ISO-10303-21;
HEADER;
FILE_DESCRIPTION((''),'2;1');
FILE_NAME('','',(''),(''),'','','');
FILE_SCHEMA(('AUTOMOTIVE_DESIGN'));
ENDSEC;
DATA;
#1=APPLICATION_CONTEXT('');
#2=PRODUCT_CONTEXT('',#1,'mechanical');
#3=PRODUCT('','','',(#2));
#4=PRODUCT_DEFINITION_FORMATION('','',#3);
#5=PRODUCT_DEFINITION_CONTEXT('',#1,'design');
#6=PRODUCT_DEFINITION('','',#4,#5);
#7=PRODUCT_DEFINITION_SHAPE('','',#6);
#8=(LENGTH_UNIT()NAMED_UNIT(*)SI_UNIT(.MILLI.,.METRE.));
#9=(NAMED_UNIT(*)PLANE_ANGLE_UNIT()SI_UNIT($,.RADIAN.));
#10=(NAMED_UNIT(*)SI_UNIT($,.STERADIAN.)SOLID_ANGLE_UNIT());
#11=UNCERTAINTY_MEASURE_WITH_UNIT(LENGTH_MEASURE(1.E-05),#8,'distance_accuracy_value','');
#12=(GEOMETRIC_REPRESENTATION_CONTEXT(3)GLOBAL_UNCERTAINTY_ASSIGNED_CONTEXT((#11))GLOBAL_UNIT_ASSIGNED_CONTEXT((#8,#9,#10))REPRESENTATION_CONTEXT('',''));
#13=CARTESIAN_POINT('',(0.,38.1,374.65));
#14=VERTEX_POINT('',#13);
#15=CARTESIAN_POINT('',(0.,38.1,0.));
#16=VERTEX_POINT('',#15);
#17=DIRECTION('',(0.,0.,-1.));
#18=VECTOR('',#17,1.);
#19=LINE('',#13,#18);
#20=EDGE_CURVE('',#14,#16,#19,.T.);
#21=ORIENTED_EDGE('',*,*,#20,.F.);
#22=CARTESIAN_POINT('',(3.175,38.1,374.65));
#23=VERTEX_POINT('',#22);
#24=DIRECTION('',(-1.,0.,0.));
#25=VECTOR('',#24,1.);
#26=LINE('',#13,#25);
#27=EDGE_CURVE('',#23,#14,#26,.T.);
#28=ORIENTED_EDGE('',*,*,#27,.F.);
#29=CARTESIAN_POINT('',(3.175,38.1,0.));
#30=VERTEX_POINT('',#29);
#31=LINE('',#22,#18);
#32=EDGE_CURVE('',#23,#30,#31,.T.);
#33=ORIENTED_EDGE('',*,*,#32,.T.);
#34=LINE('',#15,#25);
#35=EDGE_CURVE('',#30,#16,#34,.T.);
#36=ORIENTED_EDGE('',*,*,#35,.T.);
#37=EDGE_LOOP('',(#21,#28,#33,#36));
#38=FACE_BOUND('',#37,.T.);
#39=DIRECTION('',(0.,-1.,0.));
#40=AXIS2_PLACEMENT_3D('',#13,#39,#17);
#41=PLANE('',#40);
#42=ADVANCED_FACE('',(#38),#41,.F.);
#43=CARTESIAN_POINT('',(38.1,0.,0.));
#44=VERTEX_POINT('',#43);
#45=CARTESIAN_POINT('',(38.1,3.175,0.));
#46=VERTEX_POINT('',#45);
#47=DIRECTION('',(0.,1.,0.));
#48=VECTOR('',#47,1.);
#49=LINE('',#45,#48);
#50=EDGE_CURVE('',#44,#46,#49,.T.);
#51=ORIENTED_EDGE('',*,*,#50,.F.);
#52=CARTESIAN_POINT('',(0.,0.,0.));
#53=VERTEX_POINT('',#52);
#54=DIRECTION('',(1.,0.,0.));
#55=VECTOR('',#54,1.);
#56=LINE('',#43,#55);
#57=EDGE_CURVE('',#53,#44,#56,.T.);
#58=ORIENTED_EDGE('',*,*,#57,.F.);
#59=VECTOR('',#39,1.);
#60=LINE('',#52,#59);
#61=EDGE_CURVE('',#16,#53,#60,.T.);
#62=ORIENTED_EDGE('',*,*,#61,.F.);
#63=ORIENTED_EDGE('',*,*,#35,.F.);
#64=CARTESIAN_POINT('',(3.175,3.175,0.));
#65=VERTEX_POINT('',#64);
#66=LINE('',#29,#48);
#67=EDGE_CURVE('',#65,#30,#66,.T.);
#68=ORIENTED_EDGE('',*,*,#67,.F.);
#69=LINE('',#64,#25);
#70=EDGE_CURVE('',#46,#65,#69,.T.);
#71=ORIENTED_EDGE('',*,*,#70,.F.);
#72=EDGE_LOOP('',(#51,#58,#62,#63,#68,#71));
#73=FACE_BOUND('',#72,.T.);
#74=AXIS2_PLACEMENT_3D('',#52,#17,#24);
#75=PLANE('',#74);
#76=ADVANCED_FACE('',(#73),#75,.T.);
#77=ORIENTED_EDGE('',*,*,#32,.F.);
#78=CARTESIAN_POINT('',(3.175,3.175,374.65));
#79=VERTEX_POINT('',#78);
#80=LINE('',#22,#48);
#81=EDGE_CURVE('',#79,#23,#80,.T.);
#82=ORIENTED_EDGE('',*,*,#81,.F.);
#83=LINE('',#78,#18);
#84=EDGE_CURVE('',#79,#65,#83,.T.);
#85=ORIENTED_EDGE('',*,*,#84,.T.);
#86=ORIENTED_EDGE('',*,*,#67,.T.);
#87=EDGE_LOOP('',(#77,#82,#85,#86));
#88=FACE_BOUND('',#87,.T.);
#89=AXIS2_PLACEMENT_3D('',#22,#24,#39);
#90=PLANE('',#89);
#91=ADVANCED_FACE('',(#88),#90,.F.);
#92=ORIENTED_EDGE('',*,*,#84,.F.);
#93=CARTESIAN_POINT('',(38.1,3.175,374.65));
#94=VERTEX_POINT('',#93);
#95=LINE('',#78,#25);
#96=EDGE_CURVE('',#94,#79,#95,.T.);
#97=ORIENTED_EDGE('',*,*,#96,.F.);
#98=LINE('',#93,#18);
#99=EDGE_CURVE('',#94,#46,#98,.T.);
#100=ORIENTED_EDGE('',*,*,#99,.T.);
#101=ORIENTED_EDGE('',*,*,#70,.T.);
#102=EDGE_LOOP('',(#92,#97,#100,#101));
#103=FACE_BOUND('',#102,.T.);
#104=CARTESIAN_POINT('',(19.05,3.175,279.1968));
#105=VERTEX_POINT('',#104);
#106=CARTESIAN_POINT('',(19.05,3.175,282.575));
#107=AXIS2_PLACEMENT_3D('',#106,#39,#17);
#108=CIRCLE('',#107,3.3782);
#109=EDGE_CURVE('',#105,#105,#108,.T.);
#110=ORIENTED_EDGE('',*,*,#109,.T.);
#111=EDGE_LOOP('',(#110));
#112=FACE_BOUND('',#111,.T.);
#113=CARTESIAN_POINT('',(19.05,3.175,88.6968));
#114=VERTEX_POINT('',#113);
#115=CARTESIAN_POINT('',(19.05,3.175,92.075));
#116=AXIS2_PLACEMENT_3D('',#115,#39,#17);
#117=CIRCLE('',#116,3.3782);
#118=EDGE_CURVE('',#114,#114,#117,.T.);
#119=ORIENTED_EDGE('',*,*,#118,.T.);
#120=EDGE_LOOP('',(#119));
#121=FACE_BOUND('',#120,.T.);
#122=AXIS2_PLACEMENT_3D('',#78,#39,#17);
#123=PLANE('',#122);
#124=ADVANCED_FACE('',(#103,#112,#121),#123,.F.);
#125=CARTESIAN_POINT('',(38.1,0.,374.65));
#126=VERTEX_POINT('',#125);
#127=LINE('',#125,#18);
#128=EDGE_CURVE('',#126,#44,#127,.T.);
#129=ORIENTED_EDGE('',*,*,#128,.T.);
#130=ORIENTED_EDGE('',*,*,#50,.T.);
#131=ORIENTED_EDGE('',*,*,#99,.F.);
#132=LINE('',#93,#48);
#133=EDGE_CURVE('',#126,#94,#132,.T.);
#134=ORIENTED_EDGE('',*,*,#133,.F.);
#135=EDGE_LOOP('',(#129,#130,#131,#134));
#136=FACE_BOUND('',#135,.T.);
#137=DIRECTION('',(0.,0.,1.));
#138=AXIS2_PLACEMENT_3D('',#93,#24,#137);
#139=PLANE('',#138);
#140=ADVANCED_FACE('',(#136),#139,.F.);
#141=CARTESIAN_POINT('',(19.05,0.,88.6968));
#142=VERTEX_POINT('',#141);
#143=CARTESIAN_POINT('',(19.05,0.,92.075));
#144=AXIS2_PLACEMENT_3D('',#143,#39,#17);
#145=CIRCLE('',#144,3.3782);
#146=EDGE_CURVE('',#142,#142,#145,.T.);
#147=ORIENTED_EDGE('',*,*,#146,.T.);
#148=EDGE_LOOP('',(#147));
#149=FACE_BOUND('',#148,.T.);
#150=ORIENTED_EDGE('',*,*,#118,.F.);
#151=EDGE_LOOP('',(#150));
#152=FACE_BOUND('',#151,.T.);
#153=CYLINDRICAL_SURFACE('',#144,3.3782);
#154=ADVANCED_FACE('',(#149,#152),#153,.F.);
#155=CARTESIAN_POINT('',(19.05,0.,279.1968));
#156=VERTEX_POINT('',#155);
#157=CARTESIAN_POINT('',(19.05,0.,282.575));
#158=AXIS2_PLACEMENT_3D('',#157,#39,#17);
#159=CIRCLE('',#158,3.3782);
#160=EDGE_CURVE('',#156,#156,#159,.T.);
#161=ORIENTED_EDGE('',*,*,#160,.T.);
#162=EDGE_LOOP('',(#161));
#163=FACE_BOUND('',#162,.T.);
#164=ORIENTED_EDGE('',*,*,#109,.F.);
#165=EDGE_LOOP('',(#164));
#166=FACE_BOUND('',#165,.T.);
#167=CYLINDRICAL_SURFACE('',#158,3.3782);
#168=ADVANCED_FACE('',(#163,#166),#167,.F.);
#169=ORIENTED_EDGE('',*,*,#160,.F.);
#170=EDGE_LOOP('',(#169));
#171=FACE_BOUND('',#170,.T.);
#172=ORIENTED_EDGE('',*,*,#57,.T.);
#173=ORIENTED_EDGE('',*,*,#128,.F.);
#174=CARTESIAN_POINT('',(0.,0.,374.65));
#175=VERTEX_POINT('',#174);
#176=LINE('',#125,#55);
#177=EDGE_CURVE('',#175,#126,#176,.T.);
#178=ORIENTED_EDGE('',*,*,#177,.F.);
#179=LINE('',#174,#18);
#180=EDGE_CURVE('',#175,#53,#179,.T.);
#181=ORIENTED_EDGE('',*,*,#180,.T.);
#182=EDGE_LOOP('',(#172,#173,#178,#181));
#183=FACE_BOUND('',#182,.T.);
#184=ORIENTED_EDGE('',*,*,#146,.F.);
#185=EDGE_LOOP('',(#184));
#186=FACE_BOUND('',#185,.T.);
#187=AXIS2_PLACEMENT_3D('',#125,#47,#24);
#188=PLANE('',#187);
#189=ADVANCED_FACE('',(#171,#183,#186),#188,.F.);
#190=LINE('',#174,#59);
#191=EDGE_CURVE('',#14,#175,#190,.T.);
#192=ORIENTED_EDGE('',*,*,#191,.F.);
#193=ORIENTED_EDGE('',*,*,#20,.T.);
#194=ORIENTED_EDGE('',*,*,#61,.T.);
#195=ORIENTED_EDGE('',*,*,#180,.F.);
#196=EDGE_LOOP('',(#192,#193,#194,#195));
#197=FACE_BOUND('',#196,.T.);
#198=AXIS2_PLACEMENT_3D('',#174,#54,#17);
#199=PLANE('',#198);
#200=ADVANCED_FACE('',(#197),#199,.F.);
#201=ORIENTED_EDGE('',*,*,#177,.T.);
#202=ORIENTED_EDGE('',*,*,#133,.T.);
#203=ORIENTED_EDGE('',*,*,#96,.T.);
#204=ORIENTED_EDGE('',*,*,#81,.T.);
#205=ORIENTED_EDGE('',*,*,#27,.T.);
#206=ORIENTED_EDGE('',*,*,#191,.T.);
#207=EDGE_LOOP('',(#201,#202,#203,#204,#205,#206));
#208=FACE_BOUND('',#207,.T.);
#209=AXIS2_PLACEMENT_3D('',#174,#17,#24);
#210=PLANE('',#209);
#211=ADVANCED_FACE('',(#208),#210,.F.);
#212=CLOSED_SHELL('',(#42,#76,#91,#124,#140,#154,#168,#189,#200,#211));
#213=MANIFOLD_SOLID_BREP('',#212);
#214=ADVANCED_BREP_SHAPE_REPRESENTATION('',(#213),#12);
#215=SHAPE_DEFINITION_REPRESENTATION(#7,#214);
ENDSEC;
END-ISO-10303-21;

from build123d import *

# Parameters (mm, degrees)
BOSS_EXTRUDE1_DEPTH     = 374.65
F_1_4_CLEARANCE_HOLE1_D = 6.7564


with BuildPart() as part:
    # Sketch1 → Boss-Extrude1 (new body)
    with BuildSketch(Plane.XY):
        Polygon((0, 0), (0, 38.1), (3.175, 38.1), (3.175, 3.175), (38.1, 3.175), (38.1, 0), align=None)
    extrude(amount=BOSS_EXTRUDE1_DEPTH)

    # 1/4 Clearance Hole1 (through all)
    with Locations(Plane(origin=(0, 0, 0), x_dir=(-1, 0, 0), z_dir=(0, -1, 0))):
        with Locations((-19.05, -92.075), (-19.05, -282.575)):
            Hole(F_1_4_CLEARANCE_HOLE1_D / 2)


solid = part.part
